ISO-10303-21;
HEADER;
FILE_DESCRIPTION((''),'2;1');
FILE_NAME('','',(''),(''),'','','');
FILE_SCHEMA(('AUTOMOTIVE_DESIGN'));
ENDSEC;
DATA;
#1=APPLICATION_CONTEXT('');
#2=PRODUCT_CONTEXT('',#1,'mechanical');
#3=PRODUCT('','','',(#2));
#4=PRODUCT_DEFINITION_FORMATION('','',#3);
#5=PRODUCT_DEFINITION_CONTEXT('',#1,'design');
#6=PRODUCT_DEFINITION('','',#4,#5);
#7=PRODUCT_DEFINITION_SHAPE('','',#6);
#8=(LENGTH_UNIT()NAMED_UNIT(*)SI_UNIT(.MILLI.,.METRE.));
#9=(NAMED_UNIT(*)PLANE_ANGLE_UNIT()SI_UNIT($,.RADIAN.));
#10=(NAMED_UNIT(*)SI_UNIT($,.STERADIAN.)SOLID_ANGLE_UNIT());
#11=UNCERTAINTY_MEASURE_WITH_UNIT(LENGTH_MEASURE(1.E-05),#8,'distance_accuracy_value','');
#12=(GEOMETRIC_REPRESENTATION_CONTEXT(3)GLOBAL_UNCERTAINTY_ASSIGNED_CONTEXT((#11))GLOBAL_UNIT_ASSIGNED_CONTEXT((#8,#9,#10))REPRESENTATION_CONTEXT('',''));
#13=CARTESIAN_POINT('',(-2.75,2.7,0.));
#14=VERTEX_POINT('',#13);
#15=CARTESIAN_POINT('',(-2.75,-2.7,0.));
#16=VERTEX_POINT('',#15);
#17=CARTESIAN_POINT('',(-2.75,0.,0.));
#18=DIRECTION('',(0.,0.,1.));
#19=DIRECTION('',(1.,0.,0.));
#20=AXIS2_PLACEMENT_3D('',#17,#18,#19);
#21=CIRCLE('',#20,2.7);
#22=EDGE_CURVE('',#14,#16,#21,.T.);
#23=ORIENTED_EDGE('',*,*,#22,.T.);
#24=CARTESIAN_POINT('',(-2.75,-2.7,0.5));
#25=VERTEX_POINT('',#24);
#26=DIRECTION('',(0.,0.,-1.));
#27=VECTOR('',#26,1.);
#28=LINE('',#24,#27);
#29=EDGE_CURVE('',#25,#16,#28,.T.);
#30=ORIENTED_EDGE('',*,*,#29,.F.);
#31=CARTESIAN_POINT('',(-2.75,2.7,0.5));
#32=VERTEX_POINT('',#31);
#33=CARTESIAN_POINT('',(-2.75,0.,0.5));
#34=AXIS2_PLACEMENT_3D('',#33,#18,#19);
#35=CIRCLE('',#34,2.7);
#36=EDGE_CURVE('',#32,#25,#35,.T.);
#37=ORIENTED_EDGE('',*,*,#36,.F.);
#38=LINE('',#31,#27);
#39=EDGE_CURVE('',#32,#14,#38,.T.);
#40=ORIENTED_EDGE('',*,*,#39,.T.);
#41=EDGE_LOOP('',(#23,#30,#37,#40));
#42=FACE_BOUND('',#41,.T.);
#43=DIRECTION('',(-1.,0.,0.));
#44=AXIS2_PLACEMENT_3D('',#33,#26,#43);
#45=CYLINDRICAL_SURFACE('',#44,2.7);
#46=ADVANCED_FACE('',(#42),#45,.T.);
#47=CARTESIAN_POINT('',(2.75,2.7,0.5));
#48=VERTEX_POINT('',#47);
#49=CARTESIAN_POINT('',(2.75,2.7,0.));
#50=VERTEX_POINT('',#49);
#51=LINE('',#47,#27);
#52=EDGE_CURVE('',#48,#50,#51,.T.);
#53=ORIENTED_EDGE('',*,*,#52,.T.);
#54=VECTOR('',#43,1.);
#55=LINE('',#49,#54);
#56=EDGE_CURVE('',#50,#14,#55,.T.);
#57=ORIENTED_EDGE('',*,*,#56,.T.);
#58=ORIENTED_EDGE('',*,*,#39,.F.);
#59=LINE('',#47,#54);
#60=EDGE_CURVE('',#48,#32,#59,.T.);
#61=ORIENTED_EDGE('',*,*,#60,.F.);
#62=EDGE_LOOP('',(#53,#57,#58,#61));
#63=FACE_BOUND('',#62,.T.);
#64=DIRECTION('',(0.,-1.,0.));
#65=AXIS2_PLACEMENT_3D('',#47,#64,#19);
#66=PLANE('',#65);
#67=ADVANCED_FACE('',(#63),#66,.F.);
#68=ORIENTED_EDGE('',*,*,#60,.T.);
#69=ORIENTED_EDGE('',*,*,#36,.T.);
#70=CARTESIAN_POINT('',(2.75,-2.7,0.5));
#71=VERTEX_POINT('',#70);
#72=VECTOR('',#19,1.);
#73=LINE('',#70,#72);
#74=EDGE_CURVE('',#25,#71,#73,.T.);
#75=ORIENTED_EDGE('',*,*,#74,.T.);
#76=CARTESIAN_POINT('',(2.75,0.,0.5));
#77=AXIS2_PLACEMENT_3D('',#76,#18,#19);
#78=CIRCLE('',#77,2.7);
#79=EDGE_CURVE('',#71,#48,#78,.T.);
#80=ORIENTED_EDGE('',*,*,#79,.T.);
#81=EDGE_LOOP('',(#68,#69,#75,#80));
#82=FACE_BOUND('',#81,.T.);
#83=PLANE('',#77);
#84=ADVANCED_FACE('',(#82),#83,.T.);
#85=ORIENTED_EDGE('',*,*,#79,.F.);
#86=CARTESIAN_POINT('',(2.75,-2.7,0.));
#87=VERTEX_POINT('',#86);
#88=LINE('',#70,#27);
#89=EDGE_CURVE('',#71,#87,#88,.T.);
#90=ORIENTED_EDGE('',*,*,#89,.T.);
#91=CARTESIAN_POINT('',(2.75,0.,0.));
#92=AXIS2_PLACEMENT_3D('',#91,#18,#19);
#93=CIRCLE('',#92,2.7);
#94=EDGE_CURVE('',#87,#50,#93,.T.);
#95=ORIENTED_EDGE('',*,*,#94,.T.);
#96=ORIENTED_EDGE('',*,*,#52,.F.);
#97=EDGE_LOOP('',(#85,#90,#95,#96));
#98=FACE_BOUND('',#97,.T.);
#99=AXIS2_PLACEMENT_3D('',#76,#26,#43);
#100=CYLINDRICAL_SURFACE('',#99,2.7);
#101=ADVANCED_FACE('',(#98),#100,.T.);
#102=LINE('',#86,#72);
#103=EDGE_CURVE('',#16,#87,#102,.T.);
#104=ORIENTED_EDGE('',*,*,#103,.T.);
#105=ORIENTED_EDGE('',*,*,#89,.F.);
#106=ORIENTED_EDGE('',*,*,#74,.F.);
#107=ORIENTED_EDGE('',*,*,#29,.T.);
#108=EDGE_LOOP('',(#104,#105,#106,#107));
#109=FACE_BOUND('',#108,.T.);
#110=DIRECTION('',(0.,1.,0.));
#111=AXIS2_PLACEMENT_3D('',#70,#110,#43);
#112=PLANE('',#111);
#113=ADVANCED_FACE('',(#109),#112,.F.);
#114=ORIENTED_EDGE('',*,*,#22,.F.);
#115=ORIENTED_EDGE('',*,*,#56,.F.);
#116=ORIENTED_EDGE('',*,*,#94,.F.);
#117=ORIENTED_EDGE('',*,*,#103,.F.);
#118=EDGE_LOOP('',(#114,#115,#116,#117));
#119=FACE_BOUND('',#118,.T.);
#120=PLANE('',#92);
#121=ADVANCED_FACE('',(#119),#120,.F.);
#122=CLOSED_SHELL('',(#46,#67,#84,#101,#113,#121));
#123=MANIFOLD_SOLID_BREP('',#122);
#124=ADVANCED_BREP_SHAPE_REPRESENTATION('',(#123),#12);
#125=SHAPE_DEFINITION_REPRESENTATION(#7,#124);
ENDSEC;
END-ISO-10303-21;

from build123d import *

# Parameters (mm, degrees)
BOSS_EXTRU_1_DEPTH = 0.5


with BuildPart() as part:
    # Esquisse1 → Boss.-Extru.1 (new body)
    with BuildSketch(Plane.XY):
        with BuildLine():
            Line((2.75, -2.7), (-2.75, -2.7))
            ThreePointArc((-2.75, -2.7), (-5.45, 0), (-2.75, 2.7))
            Line((-2.75, 2.7), (2.75, 2.7))
            ThreePointArc((2.75, 2.7), (5.45, 0), (2.75, -2.7))
        make_face()
    extrude(amount=BOSS_EXTRU_1_DEPTH)


solid = part.part
